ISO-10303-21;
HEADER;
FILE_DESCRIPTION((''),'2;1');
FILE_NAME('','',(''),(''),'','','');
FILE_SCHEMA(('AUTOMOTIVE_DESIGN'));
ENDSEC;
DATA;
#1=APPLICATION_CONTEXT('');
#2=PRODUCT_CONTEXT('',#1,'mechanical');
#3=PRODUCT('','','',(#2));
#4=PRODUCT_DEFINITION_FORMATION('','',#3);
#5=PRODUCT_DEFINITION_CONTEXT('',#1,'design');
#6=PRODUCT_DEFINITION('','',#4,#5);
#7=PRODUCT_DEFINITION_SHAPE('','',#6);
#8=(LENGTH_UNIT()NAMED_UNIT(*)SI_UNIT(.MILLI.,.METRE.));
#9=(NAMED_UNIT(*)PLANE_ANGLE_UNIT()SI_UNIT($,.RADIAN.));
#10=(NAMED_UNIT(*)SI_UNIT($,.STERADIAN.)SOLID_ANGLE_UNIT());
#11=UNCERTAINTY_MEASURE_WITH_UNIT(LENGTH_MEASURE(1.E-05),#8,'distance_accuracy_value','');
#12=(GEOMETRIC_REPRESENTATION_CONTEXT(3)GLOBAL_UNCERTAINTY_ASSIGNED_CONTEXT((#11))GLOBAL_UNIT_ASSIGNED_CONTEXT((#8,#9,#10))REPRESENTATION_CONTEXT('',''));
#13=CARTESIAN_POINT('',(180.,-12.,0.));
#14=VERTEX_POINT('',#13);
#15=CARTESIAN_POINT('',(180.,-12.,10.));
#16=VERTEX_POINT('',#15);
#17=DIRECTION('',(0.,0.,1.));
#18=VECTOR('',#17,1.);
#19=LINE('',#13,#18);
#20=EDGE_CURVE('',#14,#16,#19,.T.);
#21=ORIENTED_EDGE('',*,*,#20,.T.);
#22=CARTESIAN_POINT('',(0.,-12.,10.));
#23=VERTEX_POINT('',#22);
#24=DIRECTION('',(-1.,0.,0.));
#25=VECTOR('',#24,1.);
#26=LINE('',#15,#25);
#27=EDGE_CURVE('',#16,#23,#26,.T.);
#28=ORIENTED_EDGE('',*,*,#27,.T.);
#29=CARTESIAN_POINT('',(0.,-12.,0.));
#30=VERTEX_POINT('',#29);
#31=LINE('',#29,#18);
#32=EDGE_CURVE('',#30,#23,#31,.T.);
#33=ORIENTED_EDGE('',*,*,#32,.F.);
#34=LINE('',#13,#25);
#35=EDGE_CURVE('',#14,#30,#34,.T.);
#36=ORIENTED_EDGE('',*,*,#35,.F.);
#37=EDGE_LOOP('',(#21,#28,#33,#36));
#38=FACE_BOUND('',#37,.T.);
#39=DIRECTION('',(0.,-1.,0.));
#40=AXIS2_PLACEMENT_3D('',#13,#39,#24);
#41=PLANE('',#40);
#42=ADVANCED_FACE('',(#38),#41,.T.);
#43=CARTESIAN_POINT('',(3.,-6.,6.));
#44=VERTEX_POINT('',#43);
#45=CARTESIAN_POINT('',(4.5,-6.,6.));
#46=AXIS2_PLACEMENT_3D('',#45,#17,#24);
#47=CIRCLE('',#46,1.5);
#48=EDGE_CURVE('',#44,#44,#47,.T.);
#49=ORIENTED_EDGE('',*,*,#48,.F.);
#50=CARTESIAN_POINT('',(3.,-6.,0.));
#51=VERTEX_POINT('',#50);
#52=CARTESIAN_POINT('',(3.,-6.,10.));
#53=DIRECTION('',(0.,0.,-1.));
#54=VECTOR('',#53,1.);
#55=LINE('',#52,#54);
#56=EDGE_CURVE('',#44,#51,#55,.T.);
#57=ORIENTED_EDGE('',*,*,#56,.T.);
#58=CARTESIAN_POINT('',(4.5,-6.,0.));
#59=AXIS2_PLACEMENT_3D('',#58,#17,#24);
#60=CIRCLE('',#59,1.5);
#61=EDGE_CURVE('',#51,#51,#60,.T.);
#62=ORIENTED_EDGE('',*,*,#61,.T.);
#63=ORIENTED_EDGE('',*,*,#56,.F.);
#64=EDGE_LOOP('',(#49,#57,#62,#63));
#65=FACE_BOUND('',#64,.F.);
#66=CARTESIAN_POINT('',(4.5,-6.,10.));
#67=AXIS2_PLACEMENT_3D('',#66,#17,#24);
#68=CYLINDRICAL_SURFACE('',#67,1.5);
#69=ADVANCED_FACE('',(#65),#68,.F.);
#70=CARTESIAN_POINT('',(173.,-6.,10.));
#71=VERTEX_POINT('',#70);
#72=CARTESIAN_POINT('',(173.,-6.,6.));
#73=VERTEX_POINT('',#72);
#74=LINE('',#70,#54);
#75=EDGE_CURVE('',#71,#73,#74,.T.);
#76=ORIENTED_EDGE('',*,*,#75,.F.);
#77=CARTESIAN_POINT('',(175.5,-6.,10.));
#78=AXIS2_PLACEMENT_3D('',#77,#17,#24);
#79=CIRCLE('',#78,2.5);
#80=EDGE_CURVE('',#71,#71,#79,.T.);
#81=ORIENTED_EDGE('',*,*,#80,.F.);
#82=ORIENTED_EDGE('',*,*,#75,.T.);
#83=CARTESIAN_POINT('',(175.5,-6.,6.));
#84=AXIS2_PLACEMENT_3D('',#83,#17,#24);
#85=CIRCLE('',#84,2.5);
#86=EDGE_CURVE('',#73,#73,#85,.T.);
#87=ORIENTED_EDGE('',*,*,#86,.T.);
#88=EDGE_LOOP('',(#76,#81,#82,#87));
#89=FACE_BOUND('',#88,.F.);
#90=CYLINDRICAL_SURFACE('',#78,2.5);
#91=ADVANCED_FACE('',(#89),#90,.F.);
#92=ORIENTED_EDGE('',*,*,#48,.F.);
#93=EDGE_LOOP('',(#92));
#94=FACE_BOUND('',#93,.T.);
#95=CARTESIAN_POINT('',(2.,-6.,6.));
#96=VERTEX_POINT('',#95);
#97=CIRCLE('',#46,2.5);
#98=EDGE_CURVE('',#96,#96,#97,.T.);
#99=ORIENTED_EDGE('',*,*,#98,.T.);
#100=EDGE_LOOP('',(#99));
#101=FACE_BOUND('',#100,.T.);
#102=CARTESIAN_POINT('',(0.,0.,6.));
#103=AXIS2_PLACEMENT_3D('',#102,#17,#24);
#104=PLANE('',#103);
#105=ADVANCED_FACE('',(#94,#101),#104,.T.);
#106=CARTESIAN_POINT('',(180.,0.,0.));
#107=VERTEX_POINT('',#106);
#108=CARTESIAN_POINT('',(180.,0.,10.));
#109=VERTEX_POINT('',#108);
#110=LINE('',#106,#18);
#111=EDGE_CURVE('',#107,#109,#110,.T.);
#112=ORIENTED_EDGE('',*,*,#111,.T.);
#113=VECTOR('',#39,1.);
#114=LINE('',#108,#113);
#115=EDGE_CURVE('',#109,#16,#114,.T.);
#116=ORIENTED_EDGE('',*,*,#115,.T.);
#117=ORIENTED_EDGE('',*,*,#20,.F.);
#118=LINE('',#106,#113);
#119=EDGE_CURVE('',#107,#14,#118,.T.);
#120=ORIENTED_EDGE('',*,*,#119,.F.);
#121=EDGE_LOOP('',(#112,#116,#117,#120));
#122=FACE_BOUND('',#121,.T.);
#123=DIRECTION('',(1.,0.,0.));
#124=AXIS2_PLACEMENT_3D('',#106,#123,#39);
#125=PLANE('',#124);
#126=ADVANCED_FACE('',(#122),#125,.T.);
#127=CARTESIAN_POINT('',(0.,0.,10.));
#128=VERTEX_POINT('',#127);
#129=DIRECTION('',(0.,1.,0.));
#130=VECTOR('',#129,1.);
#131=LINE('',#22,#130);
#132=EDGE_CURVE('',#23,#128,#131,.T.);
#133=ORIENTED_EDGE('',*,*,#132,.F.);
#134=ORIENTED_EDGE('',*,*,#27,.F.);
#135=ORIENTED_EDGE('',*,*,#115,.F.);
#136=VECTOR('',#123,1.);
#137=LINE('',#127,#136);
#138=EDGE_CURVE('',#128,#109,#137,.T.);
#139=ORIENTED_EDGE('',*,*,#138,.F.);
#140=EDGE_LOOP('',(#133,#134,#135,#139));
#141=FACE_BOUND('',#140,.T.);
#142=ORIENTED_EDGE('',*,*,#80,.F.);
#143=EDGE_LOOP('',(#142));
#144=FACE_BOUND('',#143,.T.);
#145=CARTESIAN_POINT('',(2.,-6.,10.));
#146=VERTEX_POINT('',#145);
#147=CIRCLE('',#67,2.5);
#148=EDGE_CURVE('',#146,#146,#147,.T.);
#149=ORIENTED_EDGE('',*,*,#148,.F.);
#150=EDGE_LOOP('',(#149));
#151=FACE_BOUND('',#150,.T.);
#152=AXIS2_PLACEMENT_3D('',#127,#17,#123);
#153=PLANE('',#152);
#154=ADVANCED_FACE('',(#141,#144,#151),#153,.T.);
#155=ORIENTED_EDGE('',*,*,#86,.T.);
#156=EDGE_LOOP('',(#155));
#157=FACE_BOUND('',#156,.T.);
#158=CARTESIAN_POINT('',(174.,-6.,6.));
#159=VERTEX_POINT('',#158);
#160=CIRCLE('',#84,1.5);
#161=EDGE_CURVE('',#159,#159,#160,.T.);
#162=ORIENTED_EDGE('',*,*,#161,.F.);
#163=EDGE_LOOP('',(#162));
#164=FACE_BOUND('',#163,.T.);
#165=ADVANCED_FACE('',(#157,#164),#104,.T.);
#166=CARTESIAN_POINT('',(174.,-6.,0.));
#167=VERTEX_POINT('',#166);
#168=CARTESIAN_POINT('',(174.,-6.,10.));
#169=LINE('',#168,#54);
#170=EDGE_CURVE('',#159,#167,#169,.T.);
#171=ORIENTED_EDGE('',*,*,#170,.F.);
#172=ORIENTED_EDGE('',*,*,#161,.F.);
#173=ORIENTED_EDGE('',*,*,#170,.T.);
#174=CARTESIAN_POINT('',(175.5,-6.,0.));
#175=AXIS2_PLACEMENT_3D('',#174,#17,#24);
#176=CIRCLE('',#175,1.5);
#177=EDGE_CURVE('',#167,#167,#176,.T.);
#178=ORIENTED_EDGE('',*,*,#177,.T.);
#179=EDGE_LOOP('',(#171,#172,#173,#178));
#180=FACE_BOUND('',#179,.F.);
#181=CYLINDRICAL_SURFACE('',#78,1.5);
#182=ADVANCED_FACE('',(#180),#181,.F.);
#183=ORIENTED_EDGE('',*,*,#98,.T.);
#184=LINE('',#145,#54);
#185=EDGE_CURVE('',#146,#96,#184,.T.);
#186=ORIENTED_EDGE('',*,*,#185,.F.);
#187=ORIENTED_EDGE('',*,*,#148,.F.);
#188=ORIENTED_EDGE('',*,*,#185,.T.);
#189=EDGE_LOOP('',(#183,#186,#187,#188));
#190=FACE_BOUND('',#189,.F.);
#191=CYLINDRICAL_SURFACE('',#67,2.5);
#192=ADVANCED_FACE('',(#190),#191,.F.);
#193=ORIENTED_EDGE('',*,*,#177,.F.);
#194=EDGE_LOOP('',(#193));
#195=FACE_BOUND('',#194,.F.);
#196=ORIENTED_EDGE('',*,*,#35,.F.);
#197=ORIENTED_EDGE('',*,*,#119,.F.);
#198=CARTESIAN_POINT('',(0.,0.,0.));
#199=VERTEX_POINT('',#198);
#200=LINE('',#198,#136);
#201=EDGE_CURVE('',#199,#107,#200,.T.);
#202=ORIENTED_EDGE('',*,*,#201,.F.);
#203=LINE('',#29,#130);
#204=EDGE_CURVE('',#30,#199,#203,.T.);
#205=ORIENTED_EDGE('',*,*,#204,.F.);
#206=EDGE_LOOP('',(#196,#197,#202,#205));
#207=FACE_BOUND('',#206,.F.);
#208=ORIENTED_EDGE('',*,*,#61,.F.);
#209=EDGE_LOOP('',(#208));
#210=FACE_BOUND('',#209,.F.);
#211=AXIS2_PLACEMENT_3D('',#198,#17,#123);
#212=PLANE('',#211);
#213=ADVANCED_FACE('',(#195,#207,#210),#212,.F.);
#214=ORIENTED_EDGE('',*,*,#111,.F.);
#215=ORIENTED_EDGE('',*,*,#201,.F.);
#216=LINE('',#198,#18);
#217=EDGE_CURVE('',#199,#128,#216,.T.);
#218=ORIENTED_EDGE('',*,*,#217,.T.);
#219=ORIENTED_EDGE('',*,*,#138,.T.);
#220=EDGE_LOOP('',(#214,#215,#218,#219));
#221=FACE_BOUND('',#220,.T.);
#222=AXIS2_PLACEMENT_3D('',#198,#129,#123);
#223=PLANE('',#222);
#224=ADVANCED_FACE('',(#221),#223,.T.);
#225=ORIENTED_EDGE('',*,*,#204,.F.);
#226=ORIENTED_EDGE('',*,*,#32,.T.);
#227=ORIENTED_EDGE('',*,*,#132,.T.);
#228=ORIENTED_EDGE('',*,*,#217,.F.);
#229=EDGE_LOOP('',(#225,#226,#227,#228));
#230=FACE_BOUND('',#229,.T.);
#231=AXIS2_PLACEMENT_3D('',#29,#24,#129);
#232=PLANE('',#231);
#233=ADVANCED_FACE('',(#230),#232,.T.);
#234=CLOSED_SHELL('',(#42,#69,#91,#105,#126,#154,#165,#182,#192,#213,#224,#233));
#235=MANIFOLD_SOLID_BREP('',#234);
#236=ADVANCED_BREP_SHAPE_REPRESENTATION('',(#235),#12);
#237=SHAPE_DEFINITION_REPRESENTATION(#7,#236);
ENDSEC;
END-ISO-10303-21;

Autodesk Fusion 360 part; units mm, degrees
sketch "Sketch1" plane through (0, 0, 0) normal (0, 0, 1) x (1, 0, 0)
  line L0 (0, 0) -> (180, 0)
  line L1 (180, 0) -> (180, -12)
  line L2 (180, -12) -> (0, -12)
  line L3 (0, -12) -> (0, 0)
  dimension "d16" = 180
  dimension "d17" = 12
extrude "Extrude1" add sketch "Sketch1" along normal blind 10
sketch "Sketch6" plane through (0, 0, 10) normal (0, 0, 1) x (-1, 0, 0)
  line L0 (0, 12) -> (-180, 12)
  line L1 (-180, 12) -> (-180, 0)
  line L2 (-180, 0) -> (0, 0)
  line L3 (0, 0) -> (0, 12)
  circle A0 centre (-4.5, 6) radius 1.5
  circle A1 centre (-4.5, 6) radius 2.5
  circle A2 centre (-175.5, 6) radius 1.5
  circle A3 centre (-175.5, 6) radius 2.5
  line L4 (0, 12) -> (0, 0)
  line L5 (0, 0) -> (-180, 0)
  line L6 (-180, 0) -> (-180, 12)
  dimension "d65" = 3
  dimension "d66" = 1
  dimension "d67" = 3
  dimension "d68" = 1
  dimension "d69" = 4.5
  dimension "d70" = 6
  dimension "d71" = 4.5
  dimension "d72" = 6
extrude "Extrude9" cut sketch "Sketch6" against normal blind 100 contours A2
extrude "Extrude10" cut sketch "Sketch6" against normal blind 4 contours A3
extrude "Extrude11" cut sketch "Sketch6" against normal blind 100 contours A0
extrude "Extrude12" cut sketch "Sketch6" against normal blind 4 contours A1
equation "length = 180 mm"
equation "height = 10 mm"
equation "width = 12 mm"
equation "d16 = length"
equation "d17 = width"
equation "d18 = height"
equation "extra = 100 mm"
equation "bearing_outer_radius = 2.5 mm"
equation "bearing_width = 4 mm"
equation "bearing_big_distance = 2 mm + bearing_outer_radius"
equation "bearing_small_distance = width / 2"
equation "bearing_inner_radius = 1.5 mm"
equation "d65 = bearing_inner_radius * 2"
equation "d66 = bearing_outer_radius - bearing_inner_radius"
equation "d67 = bearing_inner_radius * 2"
equation "d68 = bearing_outer_radius - bearing_inner_radius"
equation "d69 = bearing_big_distance"
equation "d70 = bearing_small_distance"
equation "d71 = bearing_big_distance"
equation "d72 = bearing_small_distance"
equation "d73 = -extra"
equation "d75 = -bearing_width"
equation "d77 = -extra"
equation "d79 = -bearing_width"
